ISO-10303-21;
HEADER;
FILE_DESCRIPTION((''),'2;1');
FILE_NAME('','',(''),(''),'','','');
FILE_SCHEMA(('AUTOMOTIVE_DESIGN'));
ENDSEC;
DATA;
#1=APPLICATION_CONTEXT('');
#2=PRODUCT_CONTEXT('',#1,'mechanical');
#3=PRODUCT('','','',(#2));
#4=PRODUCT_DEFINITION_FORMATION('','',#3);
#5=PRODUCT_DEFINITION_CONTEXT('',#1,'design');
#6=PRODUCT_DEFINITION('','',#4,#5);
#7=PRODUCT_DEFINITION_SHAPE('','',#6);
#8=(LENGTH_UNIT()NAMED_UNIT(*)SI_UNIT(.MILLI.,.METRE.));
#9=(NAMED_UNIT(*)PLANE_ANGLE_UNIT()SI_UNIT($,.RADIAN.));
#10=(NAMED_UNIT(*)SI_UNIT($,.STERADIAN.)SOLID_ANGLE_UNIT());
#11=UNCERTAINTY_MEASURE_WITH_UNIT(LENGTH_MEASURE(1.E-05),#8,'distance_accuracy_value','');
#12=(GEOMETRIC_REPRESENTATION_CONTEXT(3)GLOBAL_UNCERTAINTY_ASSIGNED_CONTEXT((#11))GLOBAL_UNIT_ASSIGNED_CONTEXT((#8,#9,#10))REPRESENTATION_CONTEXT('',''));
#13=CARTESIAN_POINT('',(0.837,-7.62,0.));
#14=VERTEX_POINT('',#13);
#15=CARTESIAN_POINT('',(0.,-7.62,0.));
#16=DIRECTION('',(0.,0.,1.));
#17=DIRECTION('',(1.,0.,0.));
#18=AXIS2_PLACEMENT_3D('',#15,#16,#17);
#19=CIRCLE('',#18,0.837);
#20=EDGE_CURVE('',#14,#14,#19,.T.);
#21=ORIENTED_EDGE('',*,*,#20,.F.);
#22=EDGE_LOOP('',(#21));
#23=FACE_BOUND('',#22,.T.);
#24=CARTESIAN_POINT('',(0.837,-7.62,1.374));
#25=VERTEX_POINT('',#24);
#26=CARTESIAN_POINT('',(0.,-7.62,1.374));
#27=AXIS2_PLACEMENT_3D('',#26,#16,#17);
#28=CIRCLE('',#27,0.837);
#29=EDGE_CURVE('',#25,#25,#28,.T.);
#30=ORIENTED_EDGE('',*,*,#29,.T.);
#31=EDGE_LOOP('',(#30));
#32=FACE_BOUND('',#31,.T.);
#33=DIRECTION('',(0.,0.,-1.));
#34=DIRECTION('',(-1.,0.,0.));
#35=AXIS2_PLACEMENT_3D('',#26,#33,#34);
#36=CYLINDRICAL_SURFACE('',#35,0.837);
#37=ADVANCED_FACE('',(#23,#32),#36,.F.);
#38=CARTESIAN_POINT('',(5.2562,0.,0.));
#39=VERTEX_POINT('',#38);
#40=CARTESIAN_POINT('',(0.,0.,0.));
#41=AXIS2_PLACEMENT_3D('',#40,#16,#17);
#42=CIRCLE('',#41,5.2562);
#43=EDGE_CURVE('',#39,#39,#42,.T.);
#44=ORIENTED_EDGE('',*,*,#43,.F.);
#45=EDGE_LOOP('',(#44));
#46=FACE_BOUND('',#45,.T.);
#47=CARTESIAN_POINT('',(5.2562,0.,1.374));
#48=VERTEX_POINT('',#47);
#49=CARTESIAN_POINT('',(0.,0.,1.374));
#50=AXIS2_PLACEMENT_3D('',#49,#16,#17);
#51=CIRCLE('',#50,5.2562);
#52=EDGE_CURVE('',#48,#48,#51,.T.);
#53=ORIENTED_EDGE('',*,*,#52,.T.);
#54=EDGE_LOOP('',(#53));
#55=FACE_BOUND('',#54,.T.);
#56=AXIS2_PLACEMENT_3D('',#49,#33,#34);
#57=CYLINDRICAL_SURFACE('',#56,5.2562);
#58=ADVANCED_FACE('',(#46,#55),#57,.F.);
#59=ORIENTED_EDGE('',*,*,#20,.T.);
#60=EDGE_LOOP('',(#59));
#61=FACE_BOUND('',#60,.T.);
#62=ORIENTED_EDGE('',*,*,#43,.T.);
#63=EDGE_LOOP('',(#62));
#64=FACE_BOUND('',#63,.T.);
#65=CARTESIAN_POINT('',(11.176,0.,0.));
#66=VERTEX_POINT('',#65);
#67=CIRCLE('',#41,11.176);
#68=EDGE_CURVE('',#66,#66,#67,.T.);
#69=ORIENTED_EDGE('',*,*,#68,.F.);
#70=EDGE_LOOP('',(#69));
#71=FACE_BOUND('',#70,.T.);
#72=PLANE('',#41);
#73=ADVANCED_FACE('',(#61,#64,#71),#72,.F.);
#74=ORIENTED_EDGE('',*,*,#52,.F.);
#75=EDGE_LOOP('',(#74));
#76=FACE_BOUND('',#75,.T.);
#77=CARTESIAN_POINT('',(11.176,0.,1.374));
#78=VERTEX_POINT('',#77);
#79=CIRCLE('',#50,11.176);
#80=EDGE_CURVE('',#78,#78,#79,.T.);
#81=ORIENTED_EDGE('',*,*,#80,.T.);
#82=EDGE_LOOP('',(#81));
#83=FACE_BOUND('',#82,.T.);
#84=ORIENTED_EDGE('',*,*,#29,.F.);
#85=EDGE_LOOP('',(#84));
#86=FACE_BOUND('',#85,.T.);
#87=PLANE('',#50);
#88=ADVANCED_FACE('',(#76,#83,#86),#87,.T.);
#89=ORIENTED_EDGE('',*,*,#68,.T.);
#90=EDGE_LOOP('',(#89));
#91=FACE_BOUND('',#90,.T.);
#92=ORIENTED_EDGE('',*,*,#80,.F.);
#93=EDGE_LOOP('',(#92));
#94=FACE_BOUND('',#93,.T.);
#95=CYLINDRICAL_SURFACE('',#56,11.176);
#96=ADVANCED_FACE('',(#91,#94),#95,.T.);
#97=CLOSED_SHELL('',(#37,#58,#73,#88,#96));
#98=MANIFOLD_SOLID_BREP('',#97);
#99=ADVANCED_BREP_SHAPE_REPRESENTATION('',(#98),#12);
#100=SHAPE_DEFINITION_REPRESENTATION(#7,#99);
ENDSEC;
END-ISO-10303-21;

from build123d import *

# Parameters (mm, degrees)
SKETCH1_R           = 11.176
SKETCH1_R_2         = 0.837
SKETCH1_R_3         = 5.2562
BOSS_EXTRUDE1_DEPTH = 1.374


with BuildPart() as part:
    # Sketch1 → Boss-Extrude1 (new body)
    with BuildSketch(Plane.XY):
        Circle(SKETCH1_R)
        with Locations((0, -7.62)):
            Circle(SKETCH1_R_2, mode=Mode.SUBTRACT)
        Circle(SKETCH1_R_3, mode=Mode.SUBTRACT)
    extrude(amount=BOSS_EXTRUDE1_DEPTH)


solid = part.part
